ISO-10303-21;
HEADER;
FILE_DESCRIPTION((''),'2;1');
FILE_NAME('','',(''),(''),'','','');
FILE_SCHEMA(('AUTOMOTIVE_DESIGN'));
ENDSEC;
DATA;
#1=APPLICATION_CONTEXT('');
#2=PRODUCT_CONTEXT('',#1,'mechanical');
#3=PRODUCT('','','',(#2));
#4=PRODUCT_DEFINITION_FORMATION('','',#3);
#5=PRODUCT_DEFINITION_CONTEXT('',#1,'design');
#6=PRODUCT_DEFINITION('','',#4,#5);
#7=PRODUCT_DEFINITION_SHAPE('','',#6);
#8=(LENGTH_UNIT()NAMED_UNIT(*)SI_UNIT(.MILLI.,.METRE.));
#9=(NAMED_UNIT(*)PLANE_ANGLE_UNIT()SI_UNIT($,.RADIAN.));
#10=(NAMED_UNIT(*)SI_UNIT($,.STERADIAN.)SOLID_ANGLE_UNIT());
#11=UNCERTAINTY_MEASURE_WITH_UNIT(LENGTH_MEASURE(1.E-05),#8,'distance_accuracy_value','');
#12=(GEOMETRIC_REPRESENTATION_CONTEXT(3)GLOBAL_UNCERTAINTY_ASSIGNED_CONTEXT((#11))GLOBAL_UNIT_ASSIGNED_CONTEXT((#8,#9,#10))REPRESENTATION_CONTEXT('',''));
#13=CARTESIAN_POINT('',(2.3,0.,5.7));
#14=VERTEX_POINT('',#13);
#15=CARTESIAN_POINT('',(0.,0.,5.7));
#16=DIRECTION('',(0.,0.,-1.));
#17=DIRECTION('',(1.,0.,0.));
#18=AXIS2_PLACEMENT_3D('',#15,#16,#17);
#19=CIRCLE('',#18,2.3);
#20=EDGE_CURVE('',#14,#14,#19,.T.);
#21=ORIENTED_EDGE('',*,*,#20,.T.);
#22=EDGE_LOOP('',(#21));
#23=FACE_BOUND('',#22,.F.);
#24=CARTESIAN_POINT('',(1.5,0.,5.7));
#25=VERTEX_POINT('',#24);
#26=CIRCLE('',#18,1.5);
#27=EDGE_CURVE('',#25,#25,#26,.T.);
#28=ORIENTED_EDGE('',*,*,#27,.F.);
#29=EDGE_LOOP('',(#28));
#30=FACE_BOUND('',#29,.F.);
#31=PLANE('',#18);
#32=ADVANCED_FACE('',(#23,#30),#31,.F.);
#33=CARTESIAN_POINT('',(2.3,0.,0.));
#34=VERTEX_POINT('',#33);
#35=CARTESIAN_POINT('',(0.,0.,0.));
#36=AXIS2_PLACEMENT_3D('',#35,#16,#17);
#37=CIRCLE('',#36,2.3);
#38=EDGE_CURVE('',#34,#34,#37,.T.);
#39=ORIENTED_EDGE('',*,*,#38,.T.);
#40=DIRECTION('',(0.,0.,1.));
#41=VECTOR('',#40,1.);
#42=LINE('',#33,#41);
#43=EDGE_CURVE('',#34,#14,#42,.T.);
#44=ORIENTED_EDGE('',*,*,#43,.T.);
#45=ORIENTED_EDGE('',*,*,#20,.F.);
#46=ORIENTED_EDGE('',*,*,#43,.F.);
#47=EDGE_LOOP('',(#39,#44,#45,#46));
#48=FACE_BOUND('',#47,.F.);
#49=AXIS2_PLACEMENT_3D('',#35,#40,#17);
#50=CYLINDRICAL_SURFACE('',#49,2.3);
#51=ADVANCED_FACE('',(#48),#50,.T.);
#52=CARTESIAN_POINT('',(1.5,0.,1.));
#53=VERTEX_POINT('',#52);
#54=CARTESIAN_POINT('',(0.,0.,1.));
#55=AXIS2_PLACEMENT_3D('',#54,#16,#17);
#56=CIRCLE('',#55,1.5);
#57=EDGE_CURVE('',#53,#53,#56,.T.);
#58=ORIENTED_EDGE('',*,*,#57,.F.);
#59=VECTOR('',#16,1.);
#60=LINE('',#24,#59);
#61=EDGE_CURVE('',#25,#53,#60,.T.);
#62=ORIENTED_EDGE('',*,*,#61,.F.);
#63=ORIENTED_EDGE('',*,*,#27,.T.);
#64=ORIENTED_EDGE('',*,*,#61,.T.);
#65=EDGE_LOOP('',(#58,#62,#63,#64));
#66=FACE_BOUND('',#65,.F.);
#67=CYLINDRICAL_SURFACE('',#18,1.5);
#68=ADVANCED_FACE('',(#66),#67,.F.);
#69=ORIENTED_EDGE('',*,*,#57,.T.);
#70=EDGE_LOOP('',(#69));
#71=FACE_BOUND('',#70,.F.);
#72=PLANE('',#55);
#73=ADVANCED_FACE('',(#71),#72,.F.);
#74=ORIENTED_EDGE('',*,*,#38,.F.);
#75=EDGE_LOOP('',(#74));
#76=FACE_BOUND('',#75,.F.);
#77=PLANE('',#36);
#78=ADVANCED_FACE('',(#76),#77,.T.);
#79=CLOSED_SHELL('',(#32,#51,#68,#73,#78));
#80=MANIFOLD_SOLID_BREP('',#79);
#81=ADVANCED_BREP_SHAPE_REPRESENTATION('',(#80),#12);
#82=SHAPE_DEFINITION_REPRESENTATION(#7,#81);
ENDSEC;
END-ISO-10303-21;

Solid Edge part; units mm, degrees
sketch "Sketch1" plane through (0, 0, 0) normal (0, -1, 0) x (1, 0, 0)
  line L0 (0, 0) -> (2.3, 0)
  line L1 (2.3, 0) -> (2.3, 5.7)
  line L2 (2.3, 5.7) -> (1.5, 5.7)
  line L3 (1.5, 5.7) -> (1.5, 1)
  line L4 (1.5, 1) -> (0, 1)
  dimension "D1" = 2.3
  dimension "D2" = 5.7
  dimension "D3" = 1.5
  dimension "D4" = 1
revolve "RevolvedProtrusion1" add sketch "Sketch1" angle 360 about axis through (0, 0, 1) along (0, 0, -1)
cosmetic_thread "Thread1" size "M3"
